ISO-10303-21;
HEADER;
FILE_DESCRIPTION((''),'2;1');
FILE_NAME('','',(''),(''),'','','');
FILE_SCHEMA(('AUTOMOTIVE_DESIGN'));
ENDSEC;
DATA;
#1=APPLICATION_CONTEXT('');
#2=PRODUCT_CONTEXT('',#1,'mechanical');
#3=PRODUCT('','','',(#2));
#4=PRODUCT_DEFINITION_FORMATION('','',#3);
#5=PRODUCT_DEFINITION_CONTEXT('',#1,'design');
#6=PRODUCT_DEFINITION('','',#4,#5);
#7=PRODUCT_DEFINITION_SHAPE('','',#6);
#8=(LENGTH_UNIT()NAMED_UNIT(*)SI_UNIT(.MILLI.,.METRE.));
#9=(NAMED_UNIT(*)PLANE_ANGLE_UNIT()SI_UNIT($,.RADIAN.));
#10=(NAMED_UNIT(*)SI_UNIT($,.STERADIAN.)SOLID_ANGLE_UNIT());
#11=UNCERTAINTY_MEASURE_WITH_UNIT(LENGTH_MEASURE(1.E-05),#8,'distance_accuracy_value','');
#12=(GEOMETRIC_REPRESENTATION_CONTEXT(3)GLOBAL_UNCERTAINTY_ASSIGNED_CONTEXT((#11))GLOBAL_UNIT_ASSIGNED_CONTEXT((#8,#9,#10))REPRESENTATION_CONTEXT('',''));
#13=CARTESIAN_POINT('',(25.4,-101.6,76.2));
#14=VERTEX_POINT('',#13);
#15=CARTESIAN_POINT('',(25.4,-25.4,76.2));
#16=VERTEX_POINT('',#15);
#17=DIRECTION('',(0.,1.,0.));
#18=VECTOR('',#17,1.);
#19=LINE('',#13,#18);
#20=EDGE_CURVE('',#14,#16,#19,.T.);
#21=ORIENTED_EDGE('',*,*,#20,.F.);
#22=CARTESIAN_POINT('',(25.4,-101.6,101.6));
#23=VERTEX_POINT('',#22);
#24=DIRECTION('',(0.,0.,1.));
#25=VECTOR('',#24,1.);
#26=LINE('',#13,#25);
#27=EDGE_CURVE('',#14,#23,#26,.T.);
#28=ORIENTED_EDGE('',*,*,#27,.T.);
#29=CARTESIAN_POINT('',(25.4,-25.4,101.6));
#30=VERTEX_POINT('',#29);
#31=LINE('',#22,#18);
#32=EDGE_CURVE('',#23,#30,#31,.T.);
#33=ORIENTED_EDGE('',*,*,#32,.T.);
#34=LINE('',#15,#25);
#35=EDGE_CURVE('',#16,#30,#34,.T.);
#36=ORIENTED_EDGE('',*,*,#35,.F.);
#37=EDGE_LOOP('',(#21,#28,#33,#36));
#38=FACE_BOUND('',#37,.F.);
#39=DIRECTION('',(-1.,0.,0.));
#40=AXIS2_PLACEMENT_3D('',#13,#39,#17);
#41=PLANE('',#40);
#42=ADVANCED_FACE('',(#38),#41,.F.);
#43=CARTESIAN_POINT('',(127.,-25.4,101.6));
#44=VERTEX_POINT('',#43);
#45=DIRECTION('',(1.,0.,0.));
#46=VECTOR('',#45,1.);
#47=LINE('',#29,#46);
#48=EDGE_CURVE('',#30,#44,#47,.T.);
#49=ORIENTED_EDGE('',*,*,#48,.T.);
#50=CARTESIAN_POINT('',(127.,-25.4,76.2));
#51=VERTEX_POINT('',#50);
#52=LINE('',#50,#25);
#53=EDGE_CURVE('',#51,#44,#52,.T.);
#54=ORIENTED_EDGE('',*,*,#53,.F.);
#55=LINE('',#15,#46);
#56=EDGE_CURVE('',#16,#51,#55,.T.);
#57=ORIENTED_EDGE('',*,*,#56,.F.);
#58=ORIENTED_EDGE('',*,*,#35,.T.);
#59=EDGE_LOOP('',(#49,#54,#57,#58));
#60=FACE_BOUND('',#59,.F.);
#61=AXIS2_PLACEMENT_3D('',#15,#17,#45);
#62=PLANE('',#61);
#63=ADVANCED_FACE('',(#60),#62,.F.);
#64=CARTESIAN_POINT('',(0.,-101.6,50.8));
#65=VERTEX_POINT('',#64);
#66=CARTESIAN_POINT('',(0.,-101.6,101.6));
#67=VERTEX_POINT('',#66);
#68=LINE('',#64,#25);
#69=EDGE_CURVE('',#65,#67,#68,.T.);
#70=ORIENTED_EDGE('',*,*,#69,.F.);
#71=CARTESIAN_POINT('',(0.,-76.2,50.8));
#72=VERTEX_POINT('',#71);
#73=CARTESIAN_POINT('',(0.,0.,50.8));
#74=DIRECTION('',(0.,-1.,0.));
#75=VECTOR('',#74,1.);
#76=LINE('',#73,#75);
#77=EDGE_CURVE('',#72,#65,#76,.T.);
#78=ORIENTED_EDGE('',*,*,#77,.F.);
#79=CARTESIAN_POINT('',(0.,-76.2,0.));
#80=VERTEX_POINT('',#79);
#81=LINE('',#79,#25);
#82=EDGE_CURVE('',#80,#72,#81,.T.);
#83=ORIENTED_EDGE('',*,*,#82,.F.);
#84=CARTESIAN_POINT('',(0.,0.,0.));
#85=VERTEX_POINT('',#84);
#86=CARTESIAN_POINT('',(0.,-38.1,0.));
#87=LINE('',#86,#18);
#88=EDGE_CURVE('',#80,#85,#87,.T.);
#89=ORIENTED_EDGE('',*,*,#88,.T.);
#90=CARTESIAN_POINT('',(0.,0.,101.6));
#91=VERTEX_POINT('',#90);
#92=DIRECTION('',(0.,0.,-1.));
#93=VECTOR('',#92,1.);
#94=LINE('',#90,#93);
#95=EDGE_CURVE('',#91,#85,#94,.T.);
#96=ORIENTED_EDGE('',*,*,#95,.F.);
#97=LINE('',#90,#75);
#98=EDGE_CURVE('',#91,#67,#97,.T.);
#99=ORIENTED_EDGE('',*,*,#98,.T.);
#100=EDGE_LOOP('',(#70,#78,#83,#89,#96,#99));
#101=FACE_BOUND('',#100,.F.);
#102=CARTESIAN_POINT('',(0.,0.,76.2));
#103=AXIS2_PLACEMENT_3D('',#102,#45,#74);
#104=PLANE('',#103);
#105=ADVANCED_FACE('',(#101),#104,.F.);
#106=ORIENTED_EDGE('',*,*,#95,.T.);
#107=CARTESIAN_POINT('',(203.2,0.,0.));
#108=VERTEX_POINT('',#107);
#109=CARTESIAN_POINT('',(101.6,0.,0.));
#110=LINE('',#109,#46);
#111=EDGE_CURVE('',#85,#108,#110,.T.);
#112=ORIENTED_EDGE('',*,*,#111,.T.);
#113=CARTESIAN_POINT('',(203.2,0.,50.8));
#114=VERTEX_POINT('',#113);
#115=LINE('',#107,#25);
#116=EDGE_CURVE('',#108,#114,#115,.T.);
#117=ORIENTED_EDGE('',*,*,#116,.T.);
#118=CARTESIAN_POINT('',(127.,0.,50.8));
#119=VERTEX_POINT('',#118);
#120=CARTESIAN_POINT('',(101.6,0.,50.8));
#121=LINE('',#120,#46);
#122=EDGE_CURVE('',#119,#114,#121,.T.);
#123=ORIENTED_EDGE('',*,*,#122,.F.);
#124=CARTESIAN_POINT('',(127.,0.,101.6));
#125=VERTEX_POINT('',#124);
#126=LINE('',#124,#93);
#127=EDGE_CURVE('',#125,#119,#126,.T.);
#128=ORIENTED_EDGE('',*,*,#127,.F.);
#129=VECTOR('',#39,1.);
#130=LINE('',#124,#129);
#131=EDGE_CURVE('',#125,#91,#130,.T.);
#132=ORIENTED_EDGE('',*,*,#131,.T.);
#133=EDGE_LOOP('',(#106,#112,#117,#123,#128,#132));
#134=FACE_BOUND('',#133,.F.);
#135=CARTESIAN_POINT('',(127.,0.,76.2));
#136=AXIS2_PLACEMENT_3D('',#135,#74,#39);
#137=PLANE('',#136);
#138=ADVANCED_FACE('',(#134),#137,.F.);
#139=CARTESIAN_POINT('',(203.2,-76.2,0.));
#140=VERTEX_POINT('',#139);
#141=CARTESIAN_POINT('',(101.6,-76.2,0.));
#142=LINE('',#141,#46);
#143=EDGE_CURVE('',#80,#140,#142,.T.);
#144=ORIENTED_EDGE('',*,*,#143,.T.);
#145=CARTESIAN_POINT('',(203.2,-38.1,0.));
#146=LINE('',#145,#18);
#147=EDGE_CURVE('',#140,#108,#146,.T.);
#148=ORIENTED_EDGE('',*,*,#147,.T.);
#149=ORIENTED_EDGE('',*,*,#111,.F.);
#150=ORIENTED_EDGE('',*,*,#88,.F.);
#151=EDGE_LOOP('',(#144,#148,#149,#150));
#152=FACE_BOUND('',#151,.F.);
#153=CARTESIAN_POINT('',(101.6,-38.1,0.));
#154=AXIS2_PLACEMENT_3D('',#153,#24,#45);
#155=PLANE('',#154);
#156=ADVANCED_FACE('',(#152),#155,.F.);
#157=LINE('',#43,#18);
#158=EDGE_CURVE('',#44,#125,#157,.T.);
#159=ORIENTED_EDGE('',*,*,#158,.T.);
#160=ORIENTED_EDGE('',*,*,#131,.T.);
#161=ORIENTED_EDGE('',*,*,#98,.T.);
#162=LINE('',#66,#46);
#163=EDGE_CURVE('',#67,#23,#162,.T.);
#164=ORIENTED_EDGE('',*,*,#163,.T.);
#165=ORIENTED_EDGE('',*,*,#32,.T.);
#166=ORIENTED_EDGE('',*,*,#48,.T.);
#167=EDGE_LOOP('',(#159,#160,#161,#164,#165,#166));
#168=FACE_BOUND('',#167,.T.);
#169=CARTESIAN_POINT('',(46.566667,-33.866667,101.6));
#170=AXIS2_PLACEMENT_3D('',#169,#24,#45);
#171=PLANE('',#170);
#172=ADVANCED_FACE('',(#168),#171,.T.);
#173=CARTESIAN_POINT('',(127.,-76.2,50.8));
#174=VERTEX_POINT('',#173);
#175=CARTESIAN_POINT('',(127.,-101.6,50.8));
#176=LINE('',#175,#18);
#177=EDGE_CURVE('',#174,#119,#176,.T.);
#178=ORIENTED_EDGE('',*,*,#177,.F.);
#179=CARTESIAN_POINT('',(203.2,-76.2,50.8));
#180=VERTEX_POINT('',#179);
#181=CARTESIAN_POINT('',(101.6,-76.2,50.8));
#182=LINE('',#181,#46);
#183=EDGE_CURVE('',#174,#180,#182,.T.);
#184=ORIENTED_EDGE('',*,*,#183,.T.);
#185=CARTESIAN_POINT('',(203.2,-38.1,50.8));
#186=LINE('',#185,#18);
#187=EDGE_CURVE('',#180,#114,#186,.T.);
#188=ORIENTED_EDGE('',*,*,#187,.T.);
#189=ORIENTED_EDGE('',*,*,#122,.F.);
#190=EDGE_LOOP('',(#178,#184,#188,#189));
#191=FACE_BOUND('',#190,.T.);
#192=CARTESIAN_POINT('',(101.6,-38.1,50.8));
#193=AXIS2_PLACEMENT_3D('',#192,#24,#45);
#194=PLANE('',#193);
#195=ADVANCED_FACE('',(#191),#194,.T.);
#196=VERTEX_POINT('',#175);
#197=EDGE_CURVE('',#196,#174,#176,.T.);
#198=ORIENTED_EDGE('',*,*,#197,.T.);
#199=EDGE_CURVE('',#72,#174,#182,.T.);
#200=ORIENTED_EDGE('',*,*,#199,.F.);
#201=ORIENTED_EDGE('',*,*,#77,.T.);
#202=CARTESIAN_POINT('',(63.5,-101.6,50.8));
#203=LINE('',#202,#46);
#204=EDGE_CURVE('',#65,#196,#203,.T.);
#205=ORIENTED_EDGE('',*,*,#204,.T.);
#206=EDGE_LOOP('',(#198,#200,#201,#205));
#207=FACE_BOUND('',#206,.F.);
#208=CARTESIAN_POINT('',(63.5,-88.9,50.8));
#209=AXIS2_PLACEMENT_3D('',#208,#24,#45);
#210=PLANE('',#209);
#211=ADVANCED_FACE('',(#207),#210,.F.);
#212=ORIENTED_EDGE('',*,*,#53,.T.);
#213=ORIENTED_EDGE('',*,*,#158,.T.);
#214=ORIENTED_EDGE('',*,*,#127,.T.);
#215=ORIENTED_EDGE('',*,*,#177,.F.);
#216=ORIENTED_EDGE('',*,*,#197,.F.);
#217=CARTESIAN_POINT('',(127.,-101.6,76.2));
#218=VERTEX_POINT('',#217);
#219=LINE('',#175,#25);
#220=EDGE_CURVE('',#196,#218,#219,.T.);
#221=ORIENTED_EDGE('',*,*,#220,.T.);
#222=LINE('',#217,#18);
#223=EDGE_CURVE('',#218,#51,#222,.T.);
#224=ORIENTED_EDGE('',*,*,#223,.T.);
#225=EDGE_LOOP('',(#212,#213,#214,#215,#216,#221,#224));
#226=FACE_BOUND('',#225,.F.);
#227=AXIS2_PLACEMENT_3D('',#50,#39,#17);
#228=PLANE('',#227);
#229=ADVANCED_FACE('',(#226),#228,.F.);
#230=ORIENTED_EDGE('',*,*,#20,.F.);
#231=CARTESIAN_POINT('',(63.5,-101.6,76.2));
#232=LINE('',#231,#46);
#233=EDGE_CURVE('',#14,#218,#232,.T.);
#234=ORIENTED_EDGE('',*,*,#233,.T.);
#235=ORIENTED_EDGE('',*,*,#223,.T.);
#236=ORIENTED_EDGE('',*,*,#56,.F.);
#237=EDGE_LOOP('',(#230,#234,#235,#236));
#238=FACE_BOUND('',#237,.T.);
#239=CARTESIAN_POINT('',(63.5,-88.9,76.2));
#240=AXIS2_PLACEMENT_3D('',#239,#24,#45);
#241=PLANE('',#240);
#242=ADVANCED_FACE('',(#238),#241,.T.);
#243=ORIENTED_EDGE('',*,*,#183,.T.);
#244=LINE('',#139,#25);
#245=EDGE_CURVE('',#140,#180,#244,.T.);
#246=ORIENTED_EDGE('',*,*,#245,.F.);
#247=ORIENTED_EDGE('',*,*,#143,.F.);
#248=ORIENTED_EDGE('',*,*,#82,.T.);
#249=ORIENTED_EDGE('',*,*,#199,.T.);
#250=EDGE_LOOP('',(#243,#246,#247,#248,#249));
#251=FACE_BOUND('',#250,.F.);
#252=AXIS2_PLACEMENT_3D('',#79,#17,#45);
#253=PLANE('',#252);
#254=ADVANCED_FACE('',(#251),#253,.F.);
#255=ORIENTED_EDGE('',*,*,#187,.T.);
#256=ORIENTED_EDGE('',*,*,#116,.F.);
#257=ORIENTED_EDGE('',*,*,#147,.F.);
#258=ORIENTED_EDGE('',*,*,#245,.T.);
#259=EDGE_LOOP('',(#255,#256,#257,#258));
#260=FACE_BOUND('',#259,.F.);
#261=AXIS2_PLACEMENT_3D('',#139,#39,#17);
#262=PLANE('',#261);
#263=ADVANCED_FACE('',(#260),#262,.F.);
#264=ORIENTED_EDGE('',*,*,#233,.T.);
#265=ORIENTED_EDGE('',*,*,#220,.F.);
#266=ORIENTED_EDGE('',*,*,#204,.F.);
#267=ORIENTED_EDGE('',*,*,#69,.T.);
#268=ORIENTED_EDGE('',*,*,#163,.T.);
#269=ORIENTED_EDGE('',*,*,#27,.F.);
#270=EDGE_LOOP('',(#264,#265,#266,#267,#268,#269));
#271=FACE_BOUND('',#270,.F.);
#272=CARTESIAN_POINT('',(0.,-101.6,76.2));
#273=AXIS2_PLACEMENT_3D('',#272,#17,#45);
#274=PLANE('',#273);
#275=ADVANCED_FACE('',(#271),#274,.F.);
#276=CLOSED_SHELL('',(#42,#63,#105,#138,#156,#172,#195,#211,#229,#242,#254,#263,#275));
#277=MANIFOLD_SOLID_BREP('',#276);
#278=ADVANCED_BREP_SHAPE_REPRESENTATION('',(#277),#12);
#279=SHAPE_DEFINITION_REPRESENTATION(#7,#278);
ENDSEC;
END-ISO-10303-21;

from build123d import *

# Parameters (mm, degrees)
F0_W     = 203.2
F0_H     = 76.2
F1_DEPTH = 50.8
F2_W     = 127
F2_H     = 25.4
F2_H_2   = 76.2
F3_DEPTH = 25.4
F5_DEPTH = 25.4


with BuildPart() as f1:
    # F0 (on Top) → F1 (new body)
    with BuildSketch(Plane.XY):
        with Locations((101.6, -38.1)):
            Rectangle(F0_W, F0_H)
    extrude(amount=F1_DEPTH)

    # F2 (on face) → F3 (join)
    with BuildSketch(Plane.XY.offset(50.8)):
        with Locations((63.5, -88.9)):
            Rectangle(F2_W, F2_H)
        with Locations((63.5, -38.1)):
            Rectangle(F2_W, F2_H_2)
    extrude(amount=F3_DEPTH)

    # F4 (on face) → F5 (join)
    with BuildSketch(Plane.XY.offset(76.2)):
        Polygon((0, 0), (0, -101.6), (25.4, -101.6), (25.4, -25.4), (127, -25.4), (127, 0), align=None)
    extrude(amount=F5_DEPTH)


solid = f1.part
